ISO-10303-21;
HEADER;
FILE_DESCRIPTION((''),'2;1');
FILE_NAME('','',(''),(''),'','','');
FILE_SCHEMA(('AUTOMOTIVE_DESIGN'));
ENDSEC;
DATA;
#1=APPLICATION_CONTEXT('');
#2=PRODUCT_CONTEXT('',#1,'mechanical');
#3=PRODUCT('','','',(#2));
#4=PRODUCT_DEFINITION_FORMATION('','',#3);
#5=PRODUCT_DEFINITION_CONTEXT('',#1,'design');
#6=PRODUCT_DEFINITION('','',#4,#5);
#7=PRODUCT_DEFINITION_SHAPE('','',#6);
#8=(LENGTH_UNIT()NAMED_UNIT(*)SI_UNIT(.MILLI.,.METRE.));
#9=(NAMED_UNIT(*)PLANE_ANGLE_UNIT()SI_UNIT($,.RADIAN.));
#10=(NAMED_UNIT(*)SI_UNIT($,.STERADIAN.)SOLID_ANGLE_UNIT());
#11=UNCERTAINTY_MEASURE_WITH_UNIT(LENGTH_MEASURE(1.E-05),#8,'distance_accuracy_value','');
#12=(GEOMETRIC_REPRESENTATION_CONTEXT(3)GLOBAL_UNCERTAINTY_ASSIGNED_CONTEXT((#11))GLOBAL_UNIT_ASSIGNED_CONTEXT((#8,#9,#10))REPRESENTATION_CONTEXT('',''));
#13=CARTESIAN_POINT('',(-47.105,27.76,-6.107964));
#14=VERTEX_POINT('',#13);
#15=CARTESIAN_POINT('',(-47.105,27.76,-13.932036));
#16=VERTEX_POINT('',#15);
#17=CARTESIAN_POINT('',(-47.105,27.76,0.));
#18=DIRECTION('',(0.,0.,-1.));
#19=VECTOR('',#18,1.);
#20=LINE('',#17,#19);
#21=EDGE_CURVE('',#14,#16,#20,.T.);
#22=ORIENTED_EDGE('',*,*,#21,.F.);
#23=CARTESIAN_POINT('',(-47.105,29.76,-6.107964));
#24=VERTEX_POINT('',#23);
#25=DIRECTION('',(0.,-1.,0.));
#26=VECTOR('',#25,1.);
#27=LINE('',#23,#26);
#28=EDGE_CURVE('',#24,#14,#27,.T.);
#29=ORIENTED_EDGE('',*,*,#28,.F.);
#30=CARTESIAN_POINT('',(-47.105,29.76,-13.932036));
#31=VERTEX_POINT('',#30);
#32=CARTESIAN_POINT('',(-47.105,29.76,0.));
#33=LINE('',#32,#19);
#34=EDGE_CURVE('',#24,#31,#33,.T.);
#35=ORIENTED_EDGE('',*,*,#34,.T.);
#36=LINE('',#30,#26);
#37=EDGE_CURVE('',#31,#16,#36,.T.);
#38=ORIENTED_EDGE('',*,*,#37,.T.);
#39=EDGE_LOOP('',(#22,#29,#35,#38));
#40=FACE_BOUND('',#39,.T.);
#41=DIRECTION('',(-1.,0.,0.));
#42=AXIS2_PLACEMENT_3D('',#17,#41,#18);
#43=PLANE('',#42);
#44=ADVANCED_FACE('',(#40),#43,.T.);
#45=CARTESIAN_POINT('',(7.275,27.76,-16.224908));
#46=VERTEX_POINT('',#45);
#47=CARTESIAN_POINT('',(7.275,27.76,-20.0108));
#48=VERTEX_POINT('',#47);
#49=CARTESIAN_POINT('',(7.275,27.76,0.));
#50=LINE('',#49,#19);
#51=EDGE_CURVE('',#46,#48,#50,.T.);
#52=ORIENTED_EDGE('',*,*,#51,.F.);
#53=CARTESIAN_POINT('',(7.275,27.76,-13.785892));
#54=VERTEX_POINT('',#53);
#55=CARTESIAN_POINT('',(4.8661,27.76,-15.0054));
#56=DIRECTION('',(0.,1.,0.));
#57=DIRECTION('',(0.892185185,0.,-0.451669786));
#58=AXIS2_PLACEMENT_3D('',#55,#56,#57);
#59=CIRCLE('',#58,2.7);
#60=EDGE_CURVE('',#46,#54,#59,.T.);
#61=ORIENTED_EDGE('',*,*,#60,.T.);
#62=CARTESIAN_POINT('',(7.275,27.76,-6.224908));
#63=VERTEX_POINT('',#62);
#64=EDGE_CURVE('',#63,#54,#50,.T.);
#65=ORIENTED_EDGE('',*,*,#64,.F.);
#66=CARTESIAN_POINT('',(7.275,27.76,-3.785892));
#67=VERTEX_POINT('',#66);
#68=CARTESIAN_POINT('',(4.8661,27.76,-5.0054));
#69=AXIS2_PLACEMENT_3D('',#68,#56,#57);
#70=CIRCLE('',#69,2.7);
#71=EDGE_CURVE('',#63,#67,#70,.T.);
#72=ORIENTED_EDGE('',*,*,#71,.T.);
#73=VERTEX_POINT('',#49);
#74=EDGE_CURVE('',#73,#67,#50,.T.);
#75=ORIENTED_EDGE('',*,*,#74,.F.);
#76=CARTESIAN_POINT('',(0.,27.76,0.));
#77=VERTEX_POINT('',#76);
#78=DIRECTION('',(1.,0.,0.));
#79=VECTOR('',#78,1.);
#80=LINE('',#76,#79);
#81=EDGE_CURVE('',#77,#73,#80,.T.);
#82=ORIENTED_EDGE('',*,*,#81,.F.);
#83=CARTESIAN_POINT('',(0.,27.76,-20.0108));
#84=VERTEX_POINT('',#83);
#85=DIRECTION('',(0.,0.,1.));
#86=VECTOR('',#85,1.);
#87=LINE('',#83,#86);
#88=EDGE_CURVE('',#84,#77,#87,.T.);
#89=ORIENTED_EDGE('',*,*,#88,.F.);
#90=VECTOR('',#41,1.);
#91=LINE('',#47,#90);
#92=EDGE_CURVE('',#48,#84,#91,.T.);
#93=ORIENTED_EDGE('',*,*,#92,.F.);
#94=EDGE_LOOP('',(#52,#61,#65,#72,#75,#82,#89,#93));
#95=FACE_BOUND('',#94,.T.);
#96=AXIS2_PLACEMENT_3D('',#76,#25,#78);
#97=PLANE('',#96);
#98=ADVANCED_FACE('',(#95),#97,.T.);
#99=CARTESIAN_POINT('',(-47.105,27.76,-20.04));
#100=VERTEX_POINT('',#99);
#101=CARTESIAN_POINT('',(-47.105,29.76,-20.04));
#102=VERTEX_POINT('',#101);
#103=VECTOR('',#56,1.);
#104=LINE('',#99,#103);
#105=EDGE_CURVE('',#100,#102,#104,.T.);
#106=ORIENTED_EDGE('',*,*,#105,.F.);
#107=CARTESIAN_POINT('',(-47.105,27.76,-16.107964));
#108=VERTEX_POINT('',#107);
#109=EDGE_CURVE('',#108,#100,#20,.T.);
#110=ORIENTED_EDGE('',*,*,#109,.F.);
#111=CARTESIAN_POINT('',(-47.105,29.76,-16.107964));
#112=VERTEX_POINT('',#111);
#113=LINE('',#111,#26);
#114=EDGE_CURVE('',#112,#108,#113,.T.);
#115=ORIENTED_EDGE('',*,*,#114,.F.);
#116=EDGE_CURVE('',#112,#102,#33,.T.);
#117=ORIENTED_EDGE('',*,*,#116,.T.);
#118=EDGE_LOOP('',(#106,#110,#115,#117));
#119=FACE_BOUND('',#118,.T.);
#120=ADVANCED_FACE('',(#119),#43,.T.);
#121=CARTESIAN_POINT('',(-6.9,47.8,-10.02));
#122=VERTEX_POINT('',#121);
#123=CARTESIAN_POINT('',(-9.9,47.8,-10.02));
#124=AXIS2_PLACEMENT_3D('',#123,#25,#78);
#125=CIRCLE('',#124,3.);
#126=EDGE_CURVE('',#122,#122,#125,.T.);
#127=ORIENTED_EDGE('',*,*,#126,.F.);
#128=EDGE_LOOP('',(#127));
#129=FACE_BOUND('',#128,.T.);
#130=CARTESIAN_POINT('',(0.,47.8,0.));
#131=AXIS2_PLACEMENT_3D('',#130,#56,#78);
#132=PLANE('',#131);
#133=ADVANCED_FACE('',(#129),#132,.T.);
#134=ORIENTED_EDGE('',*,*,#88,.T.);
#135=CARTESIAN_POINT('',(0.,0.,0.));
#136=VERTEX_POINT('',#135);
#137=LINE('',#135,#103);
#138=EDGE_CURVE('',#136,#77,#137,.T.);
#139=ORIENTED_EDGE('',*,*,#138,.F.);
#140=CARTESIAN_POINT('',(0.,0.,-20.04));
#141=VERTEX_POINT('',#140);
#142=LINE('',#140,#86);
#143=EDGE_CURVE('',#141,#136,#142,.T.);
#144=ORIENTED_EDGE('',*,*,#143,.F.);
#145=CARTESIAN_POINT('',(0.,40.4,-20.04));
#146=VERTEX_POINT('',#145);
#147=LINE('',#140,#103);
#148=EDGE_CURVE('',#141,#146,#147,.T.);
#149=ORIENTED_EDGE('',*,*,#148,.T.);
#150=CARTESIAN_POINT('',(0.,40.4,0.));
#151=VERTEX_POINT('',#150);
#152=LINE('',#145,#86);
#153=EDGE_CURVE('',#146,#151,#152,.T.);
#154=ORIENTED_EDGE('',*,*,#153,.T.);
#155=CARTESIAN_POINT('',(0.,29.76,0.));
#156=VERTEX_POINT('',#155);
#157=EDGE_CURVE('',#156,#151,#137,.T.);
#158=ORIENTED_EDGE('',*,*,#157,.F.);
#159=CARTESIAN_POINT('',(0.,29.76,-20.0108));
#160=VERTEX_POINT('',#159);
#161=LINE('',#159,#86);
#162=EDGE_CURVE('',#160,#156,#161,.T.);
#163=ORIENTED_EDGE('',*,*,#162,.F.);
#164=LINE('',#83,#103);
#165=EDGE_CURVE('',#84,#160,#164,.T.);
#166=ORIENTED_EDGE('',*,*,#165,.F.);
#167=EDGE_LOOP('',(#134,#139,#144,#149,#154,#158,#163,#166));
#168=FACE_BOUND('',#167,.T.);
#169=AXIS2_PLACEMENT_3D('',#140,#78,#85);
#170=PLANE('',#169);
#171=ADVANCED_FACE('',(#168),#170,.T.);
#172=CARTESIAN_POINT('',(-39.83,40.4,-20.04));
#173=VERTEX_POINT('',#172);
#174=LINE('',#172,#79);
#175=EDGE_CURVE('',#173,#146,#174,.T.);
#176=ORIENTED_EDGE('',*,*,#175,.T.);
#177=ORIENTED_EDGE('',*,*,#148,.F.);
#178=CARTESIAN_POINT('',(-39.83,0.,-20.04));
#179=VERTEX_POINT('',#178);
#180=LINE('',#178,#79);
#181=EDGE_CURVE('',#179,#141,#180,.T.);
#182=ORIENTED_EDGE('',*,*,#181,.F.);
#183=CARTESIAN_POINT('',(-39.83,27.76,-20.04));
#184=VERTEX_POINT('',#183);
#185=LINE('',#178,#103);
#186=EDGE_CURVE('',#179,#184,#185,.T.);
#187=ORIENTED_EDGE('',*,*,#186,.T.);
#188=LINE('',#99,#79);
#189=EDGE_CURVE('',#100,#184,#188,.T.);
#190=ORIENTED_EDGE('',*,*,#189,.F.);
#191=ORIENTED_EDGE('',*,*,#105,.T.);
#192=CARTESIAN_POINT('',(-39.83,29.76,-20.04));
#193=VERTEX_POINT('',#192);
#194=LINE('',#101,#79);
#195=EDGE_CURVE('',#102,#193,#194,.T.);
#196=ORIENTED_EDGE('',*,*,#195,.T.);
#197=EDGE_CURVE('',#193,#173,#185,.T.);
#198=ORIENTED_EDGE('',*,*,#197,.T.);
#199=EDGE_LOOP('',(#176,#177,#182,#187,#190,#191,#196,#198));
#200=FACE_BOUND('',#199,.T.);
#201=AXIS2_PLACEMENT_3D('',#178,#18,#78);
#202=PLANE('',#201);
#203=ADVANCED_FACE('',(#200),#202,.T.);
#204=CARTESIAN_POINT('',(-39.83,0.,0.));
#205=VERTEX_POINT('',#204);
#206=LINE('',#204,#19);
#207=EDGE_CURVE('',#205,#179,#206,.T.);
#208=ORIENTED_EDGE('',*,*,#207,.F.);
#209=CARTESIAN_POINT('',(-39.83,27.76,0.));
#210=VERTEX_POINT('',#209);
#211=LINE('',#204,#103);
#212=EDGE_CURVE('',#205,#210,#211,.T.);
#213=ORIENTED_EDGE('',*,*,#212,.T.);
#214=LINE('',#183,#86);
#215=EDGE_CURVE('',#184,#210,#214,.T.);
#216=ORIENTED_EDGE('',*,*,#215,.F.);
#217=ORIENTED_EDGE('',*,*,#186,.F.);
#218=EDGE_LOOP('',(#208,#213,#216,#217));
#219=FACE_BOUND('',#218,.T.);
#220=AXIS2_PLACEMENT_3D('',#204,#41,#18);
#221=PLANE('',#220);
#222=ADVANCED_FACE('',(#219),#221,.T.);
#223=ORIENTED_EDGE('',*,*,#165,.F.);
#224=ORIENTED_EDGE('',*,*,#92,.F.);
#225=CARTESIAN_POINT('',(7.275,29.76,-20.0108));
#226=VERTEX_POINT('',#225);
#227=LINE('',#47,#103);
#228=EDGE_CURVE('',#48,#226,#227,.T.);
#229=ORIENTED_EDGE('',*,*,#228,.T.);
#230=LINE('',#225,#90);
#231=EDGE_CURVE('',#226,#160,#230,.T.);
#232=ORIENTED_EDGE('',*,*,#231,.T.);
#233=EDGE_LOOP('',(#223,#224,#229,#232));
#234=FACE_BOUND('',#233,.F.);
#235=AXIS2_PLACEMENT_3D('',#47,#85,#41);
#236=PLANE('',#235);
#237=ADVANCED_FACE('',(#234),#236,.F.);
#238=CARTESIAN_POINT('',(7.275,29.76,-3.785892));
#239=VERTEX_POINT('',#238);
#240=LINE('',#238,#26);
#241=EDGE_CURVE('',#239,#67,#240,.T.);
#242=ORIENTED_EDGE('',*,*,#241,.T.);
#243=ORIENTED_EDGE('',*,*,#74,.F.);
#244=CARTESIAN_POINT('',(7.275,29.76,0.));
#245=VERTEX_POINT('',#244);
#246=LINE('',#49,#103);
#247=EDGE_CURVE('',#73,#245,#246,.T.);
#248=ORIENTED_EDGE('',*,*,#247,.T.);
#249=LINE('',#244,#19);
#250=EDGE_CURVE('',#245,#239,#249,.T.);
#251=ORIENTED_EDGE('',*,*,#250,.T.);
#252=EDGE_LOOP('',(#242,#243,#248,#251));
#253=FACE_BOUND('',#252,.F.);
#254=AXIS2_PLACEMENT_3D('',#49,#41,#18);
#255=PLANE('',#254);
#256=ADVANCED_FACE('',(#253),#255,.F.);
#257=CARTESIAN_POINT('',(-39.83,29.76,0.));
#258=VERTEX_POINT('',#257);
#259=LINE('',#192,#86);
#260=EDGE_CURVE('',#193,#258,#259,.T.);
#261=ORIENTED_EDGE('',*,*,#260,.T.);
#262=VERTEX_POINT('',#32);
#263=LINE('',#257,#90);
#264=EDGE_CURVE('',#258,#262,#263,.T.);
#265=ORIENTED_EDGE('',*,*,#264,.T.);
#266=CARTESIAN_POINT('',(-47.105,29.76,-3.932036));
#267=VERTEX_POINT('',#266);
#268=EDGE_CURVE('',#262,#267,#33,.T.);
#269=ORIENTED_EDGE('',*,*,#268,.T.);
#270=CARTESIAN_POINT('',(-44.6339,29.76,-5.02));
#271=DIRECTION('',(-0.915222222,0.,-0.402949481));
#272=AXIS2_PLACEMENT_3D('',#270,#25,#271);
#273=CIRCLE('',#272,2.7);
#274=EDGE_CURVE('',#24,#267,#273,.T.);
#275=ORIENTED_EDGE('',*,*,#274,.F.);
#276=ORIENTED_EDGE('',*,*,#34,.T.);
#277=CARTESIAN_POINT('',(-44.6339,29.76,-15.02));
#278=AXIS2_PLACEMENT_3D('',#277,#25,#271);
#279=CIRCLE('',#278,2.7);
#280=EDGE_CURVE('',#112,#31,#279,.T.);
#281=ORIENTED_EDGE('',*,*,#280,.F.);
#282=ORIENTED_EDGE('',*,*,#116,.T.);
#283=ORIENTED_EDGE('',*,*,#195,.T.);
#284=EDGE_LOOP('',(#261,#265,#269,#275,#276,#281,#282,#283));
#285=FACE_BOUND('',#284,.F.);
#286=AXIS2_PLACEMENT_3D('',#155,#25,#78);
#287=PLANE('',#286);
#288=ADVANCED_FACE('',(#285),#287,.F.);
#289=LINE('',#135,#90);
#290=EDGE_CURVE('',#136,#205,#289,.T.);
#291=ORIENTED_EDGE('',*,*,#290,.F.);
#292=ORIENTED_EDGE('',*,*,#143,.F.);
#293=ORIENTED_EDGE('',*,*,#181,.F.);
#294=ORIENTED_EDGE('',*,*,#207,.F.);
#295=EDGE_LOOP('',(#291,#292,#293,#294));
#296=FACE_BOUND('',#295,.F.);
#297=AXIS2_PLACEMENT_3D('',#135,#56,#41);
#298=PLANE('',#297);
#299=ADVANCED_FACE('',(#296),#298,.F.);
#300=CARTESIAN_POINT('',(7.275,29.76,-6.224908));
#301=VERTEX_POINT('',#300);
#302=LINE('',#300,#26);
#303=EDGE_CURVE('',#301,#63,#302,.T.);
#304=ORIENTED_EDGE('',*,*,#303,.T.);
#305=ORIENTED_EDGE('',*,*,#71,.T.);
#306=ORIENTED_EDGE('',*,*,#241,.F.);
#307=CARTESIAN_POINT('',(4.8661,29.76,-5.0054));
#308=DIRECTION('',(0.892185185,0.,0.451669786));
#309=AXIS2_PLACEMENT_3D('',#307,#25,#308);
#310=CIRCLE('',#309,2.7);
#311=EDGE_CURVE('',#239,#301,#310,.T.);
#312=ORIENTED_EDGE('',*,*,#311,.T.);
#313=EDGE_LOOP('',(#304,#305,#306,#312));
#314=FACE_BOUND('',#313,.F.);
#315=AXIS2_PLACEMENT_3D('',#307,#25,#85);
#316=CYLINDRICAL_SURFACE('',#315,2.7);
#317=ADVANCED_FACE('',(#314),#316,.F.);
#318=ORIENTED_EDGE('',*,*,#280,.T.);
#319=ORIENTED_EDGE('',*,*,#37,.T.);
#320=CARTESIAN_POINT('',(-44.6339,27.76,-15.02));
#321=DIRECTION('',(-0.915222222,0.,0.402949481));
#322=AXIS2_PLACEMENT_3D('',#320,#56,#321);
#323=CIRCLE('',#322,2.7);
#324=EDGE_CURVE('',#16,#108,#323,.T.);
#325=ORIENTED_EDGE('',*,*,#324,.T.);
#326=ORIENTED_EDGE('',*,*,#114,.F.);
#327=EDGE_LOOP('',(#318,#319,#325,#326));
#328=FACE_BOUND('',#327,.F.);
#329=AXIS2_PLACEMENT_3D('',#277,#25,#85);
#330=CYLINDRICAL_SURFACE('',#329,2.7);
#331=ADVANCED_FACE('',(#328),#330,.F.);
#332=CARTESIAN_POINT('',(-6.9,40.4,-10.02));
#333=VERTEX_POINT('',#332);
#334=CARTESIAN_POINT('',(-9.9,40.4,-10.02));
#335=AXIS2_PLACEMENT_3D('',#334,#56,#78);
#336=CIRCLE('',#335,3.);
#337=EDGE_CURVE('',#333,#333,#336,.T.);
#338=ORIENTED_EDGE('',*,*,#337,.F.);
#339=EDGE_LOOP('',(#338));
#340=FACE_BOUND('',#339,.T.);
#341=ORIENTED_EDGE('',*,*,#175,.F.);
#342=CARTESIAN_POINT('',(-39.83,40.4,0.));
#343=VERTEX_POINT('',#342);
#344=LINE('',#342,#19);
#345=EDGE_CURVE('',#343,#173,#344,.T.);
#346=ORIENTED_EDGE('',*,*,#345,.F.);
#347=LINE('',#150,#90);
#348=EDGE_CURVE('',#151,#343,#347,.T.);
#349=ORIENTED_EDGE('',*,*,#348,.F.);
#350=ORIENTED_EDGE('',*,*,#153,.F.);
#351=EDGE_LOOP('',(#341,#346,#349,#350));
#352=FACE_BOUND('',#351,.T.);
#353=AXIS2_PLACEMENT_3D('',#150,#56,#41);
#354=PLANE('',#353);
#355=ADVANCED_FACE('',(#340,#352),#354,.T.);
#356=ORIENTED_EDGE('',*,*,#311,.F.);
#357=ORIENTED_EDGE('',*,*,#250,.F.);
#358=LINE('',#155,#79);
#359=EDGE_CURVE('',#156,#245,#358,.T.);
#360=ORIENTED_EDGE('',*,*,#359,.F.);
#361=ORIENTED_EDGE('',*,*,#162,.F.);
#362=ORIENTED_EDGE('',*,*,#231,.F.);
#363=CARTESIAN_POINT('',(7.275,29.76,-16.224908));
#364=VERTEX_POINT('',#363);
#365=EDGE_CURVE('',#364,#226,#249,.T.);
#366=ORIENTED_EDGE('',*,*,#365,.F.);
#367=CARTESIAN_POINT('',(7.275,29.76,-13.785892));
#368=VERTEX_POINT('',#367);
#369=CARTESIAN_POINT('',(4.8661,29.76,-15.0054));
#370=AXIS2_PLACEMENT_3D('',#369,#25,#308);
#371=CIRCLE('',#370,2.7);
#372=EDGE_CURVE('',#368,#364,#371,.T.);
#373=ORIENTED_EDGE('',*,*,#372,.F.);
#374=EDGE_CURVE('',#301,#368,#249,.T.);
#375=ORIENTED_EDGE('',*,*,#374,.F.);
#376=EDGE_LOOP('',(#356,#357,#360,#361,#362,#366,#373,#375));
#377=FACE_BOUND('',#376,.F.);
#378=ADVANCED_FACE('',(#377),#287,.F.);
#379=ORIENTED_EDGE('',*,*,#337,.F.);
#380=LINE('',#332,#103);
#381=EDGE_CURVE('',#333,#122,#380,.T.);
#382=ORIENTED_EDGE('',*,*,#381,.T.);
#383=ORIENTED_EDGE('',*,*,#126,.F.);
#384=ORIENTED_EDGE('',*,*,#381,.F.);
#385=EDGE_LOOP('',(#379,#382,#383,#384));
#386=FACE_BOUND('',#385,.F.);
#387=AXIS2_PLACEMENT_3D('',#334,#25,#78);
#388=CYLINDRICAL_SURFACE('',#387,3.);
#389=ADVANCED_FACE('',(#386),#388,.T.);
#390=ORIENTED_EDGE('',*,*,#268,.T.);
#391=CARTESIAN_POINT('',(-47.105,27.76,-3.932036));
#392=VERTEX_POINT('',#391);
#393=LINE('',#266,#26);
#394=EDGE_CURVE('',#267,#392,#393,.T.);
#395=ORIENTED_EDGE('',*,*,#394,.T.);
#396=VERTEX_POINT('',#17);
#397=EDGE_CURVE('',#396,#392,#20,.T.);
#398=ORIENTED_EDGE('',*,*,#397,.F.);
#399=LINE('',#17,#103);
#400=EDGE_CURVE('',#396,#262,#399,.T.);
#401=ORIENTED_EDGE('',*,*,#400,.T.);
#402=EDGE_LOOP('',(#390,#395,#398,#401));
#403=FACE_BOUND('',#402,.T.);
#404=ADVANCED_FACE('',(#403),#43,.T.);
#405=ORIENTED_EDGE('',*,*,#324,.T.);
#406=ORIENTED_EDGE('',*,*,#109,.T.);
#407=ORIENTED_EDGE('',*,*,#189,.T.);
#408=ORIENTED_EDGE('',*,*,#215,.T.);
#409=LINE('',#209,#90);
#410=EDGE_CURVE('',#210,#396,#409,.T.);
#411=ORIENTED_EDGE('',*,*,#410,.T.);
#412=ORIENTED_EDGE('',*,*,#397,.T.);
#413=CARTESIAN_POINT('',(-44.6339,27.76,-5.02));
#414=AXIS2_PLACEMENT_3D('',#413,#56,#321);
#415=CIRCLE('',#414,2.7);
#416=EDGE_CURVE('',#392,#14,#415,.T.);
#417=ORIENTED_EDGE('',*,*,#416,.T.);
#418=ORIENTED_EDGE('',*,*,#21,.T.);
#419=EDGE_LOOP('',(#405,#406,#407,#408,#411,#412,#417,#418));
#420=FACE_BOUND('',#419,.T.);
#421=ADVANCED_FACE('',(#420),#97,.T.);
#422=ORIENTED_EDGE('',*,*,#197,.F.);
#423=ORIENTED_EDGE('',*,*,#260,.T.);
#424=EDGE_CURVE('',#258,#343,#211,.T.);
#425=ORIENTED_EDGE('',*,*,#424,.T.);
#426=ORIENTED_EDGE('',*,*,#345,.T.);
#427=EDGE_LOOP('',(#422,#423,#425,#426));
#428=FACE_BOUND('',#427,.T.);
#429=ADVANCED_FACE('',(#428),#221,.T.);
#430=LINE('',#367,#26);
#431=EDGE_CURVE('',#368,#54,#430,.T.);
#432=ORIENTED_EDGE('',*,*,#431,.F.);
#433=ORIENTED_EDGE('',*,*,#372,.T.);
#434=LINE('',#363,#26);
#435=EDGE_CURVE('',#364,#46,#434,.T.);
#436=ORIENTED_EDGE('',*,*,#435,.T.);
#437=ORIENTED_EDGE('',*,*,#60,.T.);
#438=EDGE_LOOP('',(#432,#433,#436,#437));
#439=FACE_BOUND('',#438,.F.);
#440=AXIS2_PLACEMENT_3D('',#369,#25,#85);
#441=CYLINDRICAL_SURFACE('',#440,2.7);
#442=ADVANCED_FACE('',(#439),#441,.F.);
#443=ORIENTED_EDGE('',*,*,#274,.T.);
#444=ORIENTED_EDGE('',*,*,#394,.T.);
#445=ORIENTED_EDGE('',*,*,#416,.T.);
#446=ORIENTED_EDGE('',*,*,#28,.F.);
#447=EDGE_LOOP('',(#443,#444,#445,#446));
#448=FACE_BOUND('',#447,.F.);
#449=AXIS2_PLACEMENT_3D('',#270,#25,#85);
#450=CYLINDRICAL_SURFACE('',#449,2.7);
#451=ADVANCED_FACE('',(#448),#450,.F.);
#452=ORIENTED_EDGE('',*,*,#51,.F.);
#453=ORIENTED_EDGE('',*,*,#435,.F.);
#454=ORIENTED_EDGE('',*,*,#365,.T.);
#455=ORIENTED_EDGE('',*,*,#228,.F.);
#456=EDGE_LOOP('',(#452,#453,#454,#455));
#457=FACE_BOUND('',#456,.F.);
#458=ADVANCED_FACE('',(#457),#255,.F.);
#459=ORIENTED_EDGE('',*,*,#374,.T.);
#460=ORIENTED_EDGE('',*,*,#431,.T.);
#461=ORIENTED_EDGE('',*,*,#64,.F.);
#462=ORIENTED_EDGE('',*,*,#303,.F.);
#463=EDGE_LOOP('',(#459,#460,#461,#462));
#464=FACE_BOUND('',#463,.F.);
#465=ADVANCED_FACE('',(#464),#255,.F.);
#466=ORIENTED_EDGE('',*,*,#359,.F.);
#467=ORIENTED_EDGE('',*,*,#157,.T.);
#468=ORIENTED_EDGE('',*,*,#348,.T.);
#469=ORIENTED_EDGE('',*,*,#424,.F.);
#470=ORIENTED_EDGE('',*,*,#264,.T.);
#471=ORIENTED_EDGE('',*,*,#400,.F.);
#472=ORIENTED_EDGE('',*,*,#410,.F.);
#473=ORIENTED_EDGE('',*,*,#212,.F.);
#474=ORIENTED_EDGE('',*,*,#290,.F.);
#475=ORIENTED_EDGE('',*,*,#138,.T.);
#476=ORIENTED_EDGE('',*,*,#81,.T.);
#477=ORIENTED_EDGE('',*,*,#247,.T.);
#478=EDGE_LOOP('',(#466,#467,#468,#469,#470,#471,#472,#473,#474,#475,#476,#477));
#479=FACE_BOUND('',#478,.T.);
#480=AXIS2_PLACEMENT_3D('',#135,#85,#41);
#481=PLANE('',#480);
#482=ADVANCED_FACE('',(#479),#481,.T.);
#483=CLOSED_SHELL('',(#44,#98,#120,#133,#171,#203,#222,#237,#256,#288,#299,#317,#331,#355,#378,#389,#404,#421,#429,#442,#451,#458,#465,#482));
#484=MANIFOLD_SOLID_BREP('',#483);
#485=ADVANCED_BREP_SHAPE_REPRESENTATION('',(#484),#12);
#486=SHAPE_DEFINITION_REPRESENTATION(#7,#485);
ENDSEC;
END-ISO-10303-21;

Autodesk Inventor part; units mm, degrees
ref_plane "YZ Plane" through (0, 0, 0) normal (1, 0, 0) x (0, 1, 0)
ref_plane "XZ Plane" through (0, 0, 0) normal (0, 1, 0) x (-1, 0, 0)
ref_plane "XY Plane" through (0, 0, 0) normal (0, 0, 1) x (1, 0, 0)
sketch "スケッチ1" plane through (0, 0, 0) normal (0, 1, 0) x (-1, 0, 0)
  line L0 (0, 0) -> (39.83, 0)
  line L1 (39.83, 0) -> (39.83, -20.04)
  line L2 (39.83, -20.04) -> (0, -20.04)
  line L3 (0, -20.04) -> (0, 0)
  dimension "d0" = 39.83
  dimension "d1" = 20.04
extrude "押し出し1" add sketch "スケッチ1" along normal blind 40.4
ref_plane "作業平面2" through (0, 27.76, 0) normal (0, -1, 0) x (1, 0, 0)
sketch "スケッチ3" plane through (0, 27.76, 0) normal (0, -1, 0) x (1, 0, 0)
  line L0 (0, 0) -> (7.275, 0)
  line L1 (7.275, 0) -> (7.275, -20.0108)
  line L2 (7.275, -20.0108) -> (0, -20.0108)
  line L3 (0, -20.0108) -> (0, 0)
  line L4 (-39.83, -20.04) -> (-39.83, 0) projected
  line L5 (-39.83, 0) -> (-47.105, 0)
  line L6 (-47.105, 0) -> (-47.105, -20.04)
  line L7 (-47.105, -20.04) -> (-39.83, -20.04)
  line L8 (-39.83, -20.04) -> (-39.83, 0)
  dimension "d5" = 7.275
  dimension "d6" = 20.0108
  dimension "d7" = 7.275
extrude "押し出し2" add sketch "スケッチ3" against normal blind 2
sketch "スケッチ6" plane through (0, 40.4, 0) normal (0, 1, 0) x (1, 0, 0)
  line L0 (0, 0) -> (0, 20.04) projected
  line L1 (0, 0) -> (0, 20.04) projected
  line L2 (-39.83, 20.04) -> (-39.83, 0) projected
  line L3 (-39.83, 10.02) -> (0, 10.02)
  circle A0 centre (-9.9, 10.02) radius 3
  dimension "d11" = 9.9
  dimension "d12" = 6
extrude "押し出し3" add sketch "スケッチ6" along normal blind 7.4
sketch "スケッチ9" plane through (0, 29.76, 0) normal (0, 1, 0) x (1, 0, 0)
  circle A0 centre (-44.6339, 15.02) radius 2.75
  circle A1 centre (-44.6339, 5.02) radius 2.75
  circle A2 centre (4.8661, 15.0054) radius 2.75
  circle A3 centre (4.8661, 5.0054) radius 2.75
  line L0 (-47.105, 0) -> (-47.105, 20.04) projected
  line L1 (-47.105, 10.02) -> (-39.83, 10.02)
  line L2 (-39.83, 20.04) -> (-39.83, 0) projected
  line L3 (-47.105, 20.04) -> (-47.105, 0) projected
  line L4 (-44.6339, 15.02) -> (-44.6339, 5.02)
  line L5 (4.8661, 15.0054) -> (4.8661, 5.0054)
  line L6 (7.275, 20.0108) -> (7.275, 0) projected
  line L7 (7.275, 10.0054) -> (0.184, 10.0054)
  point P0 (0, 0)
  point P1 (-44.6339, 10.02)
  point P2 (4.8661, 10.0054)
  dimension "d15" = 10
  dimension "d16" = 5.5
  dimension "d17" = 5.5
  dimension "d18" = 5.5
  dimension "d19" = 10
  dimension "d20" = 5.5
  dimension "d21" = 49.5
hole "穴1" at (-44.6339, 29.76, -15.02) at (4.8661, 29.76, -15.0054) at (-44.6339, 29.76, -5.02) at (4.8661, 29.76, -5.0054) direction (0, -1, 0) diameter 5.4 end through all
properties part number "sarvo_motor"
